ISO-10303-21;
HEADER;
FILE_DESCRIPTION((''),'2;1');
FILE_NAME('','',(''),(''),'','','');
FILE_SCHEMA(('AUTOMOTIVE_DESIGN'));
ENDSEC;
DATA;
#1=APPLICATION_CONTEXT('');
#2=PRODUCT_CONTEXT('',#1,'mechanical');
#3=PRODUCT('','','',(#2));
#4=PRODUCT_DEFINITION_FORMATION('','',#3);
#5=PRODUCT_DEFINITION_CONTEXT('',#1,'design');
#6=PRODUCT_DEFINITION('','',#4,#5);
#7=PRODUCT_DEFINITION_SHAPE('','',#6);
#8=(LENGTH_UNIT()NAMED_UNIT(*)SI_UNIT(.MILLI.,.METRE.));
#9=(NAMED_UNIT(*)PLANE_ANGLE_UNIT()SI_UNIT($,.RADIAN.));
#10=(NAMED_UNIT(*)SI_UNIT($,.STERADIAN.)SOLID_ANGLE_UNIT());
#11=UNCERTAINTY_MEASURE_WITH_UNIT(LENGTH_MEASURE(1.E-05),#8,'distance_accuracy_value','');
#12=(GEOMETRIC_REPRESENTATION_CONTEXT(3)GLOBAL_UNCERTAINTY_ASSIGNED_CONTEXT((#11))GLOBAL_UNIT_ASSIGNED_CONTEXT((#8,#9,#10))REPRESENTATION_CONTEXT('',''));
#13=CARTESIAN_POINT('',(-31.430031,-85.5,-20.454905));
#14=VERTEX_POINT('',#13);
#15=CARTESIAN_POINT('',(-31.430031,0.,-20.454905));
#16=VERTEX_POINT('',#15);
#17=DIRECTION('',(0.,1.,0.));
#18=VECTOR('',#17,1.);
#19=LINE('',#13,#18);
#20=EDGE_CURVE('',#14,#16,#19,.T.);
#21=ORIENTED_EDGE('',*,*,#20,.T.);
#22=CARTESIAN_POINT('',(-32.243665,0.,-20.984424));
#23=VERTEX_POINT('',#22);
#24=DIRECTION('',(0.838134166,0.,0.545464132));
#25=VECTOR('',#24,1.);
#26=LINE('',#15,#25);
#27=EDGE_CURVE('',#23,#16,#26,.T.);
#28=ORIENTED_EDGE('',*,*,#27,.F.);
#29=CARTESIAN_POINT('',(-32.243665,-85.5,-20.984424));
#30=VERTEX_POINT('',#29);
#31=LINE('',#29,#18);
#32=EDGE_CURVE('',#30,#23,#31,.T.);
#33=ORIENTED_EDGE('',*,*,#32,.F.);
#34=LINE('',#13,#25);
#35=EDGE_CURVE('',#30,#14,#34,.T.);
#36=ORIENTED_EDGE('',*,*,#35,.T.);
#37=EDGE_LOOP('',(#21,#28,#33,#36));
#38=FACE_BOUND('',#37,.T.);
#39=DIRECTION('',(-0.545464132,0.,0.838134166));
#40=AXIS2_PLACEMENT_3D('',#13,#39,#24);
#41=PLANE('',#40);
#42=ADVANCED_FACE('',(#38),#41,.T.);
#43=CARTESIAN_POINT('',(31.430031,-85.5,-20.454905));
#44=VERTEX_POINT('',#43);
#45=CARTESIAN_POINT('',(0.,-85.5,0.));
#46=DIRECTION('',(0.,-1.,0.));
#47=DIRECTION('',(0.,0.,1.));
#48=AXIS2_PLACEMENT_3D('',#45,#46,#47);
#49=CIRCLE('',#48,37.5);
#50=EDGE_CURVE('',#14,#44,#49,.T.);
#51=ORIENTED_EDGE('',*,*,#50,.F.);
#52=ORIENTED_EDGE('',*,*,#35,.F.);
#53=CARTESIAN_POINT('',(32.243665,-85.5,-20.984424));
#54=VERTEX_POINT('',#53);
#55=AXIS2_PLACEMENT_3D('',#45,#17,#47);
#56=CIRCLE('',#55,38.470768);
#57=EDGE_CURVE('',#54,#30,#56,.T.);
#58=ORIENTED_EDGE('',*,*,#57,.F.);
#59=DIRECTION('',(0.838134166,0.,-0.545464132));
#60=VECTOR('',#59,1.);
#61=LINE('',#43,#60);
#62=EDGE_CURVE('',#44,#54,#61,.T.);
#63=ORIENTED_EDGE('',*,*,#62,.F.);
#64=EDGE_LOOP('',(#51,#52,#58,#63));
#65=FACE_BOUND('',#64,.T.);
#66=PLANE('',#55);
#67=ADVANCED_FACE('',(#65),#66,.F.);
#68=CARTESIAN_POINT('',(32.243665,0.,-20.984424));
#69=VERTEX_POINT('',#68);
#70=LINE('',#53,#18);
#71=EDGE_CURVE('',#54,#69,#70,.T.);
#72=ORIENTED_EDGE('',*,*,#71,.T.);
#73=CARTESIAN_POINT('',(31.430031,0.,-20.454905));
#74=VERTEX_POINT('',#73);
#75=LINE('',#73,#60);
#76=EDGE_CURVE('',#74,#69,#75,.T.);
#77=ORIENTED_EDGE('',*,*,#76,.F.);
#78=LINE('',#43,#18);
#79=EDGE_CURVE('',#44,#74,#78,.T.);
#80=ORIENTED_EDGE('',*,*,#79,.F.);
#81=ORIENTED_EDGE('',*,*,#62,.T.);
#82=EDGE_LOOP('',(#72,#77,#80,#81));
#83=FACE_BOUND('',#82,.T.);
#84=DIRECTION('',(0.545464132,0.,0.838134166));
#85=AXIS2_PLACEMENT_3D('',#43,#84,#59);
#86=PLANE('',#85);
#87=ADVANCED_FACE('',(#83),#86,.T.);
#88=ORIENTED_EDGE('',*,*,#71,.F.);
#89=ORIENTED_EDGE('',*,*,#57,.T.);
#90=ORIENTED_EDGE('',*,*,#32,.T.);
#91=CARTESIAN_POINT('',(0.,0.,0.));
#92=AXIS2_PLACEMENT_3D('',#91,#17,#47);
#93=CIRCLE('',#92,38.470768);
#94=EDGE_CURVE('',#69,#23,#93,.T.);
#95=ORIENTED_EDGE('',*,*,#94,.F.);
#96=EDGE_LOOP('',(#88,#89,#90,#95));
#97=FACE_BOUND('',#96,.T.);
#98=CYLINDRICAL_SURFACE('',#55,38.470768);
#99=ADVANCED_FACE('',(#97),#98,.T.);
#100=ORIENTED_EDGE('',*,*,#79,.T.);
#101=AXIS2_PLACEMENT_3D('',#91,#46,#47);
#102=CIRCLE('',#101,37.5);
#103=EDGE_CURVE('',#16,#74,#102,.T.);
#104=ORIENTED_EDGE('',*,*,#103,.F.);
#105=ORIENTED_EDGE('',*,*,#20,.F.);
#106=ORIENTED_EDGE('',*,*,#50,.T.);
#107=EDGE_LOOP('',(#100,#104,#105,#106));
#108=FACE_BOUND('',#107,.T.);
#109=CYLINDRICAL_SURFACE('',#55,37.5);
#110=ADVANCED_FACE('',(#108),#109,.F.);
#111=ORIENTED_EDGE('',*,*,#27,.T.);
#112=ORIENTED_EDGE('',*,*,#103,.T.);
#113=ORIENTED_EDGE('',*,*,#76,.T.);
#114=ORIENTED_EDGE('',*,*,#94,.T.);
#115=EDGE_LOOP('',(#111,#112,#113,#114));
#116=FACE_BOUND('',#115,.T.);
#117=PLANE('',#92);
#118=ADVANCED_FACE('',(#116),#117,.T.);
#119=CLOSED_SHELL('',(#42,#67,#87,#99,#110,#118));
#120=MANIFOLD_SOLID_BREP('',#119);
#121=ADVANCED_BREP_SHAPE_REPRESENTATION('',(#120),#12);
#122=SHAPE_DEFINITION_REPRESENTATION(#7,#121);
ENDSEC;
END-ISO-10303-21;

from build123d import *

# Parameters (mm, degrees)
BOSS_EXTRUDE1_DEPTH = 85.5


with BuildPart() as part:
    # Sketch1 → Boss-Extrude1 (new body)
    with BuildSketch(Plane(origin=(0, 0, 0), x_dir=(1, 0, 0), z_dir=(0, 1, 0))):
        with BuildLine():
            Line((-31.430031232, 20.454904955), (-32.243665164, 20.984424147))
            ThreePointArc((-32.243665164, 20.984424147), (0, 38.470768123), (32.243665164, 20.984424147))
            Line((32.243665164, 20.984424147), (31.430031232, 20.454904955))
            ThreePointArc((31.430031232, 20.454904955), (0, 37.5), (-31.430031232, 20.454904955))
        make_face()
    extrude(amount=-BOSS_EXTRUDE1_DEPTH)


solid = part.part
